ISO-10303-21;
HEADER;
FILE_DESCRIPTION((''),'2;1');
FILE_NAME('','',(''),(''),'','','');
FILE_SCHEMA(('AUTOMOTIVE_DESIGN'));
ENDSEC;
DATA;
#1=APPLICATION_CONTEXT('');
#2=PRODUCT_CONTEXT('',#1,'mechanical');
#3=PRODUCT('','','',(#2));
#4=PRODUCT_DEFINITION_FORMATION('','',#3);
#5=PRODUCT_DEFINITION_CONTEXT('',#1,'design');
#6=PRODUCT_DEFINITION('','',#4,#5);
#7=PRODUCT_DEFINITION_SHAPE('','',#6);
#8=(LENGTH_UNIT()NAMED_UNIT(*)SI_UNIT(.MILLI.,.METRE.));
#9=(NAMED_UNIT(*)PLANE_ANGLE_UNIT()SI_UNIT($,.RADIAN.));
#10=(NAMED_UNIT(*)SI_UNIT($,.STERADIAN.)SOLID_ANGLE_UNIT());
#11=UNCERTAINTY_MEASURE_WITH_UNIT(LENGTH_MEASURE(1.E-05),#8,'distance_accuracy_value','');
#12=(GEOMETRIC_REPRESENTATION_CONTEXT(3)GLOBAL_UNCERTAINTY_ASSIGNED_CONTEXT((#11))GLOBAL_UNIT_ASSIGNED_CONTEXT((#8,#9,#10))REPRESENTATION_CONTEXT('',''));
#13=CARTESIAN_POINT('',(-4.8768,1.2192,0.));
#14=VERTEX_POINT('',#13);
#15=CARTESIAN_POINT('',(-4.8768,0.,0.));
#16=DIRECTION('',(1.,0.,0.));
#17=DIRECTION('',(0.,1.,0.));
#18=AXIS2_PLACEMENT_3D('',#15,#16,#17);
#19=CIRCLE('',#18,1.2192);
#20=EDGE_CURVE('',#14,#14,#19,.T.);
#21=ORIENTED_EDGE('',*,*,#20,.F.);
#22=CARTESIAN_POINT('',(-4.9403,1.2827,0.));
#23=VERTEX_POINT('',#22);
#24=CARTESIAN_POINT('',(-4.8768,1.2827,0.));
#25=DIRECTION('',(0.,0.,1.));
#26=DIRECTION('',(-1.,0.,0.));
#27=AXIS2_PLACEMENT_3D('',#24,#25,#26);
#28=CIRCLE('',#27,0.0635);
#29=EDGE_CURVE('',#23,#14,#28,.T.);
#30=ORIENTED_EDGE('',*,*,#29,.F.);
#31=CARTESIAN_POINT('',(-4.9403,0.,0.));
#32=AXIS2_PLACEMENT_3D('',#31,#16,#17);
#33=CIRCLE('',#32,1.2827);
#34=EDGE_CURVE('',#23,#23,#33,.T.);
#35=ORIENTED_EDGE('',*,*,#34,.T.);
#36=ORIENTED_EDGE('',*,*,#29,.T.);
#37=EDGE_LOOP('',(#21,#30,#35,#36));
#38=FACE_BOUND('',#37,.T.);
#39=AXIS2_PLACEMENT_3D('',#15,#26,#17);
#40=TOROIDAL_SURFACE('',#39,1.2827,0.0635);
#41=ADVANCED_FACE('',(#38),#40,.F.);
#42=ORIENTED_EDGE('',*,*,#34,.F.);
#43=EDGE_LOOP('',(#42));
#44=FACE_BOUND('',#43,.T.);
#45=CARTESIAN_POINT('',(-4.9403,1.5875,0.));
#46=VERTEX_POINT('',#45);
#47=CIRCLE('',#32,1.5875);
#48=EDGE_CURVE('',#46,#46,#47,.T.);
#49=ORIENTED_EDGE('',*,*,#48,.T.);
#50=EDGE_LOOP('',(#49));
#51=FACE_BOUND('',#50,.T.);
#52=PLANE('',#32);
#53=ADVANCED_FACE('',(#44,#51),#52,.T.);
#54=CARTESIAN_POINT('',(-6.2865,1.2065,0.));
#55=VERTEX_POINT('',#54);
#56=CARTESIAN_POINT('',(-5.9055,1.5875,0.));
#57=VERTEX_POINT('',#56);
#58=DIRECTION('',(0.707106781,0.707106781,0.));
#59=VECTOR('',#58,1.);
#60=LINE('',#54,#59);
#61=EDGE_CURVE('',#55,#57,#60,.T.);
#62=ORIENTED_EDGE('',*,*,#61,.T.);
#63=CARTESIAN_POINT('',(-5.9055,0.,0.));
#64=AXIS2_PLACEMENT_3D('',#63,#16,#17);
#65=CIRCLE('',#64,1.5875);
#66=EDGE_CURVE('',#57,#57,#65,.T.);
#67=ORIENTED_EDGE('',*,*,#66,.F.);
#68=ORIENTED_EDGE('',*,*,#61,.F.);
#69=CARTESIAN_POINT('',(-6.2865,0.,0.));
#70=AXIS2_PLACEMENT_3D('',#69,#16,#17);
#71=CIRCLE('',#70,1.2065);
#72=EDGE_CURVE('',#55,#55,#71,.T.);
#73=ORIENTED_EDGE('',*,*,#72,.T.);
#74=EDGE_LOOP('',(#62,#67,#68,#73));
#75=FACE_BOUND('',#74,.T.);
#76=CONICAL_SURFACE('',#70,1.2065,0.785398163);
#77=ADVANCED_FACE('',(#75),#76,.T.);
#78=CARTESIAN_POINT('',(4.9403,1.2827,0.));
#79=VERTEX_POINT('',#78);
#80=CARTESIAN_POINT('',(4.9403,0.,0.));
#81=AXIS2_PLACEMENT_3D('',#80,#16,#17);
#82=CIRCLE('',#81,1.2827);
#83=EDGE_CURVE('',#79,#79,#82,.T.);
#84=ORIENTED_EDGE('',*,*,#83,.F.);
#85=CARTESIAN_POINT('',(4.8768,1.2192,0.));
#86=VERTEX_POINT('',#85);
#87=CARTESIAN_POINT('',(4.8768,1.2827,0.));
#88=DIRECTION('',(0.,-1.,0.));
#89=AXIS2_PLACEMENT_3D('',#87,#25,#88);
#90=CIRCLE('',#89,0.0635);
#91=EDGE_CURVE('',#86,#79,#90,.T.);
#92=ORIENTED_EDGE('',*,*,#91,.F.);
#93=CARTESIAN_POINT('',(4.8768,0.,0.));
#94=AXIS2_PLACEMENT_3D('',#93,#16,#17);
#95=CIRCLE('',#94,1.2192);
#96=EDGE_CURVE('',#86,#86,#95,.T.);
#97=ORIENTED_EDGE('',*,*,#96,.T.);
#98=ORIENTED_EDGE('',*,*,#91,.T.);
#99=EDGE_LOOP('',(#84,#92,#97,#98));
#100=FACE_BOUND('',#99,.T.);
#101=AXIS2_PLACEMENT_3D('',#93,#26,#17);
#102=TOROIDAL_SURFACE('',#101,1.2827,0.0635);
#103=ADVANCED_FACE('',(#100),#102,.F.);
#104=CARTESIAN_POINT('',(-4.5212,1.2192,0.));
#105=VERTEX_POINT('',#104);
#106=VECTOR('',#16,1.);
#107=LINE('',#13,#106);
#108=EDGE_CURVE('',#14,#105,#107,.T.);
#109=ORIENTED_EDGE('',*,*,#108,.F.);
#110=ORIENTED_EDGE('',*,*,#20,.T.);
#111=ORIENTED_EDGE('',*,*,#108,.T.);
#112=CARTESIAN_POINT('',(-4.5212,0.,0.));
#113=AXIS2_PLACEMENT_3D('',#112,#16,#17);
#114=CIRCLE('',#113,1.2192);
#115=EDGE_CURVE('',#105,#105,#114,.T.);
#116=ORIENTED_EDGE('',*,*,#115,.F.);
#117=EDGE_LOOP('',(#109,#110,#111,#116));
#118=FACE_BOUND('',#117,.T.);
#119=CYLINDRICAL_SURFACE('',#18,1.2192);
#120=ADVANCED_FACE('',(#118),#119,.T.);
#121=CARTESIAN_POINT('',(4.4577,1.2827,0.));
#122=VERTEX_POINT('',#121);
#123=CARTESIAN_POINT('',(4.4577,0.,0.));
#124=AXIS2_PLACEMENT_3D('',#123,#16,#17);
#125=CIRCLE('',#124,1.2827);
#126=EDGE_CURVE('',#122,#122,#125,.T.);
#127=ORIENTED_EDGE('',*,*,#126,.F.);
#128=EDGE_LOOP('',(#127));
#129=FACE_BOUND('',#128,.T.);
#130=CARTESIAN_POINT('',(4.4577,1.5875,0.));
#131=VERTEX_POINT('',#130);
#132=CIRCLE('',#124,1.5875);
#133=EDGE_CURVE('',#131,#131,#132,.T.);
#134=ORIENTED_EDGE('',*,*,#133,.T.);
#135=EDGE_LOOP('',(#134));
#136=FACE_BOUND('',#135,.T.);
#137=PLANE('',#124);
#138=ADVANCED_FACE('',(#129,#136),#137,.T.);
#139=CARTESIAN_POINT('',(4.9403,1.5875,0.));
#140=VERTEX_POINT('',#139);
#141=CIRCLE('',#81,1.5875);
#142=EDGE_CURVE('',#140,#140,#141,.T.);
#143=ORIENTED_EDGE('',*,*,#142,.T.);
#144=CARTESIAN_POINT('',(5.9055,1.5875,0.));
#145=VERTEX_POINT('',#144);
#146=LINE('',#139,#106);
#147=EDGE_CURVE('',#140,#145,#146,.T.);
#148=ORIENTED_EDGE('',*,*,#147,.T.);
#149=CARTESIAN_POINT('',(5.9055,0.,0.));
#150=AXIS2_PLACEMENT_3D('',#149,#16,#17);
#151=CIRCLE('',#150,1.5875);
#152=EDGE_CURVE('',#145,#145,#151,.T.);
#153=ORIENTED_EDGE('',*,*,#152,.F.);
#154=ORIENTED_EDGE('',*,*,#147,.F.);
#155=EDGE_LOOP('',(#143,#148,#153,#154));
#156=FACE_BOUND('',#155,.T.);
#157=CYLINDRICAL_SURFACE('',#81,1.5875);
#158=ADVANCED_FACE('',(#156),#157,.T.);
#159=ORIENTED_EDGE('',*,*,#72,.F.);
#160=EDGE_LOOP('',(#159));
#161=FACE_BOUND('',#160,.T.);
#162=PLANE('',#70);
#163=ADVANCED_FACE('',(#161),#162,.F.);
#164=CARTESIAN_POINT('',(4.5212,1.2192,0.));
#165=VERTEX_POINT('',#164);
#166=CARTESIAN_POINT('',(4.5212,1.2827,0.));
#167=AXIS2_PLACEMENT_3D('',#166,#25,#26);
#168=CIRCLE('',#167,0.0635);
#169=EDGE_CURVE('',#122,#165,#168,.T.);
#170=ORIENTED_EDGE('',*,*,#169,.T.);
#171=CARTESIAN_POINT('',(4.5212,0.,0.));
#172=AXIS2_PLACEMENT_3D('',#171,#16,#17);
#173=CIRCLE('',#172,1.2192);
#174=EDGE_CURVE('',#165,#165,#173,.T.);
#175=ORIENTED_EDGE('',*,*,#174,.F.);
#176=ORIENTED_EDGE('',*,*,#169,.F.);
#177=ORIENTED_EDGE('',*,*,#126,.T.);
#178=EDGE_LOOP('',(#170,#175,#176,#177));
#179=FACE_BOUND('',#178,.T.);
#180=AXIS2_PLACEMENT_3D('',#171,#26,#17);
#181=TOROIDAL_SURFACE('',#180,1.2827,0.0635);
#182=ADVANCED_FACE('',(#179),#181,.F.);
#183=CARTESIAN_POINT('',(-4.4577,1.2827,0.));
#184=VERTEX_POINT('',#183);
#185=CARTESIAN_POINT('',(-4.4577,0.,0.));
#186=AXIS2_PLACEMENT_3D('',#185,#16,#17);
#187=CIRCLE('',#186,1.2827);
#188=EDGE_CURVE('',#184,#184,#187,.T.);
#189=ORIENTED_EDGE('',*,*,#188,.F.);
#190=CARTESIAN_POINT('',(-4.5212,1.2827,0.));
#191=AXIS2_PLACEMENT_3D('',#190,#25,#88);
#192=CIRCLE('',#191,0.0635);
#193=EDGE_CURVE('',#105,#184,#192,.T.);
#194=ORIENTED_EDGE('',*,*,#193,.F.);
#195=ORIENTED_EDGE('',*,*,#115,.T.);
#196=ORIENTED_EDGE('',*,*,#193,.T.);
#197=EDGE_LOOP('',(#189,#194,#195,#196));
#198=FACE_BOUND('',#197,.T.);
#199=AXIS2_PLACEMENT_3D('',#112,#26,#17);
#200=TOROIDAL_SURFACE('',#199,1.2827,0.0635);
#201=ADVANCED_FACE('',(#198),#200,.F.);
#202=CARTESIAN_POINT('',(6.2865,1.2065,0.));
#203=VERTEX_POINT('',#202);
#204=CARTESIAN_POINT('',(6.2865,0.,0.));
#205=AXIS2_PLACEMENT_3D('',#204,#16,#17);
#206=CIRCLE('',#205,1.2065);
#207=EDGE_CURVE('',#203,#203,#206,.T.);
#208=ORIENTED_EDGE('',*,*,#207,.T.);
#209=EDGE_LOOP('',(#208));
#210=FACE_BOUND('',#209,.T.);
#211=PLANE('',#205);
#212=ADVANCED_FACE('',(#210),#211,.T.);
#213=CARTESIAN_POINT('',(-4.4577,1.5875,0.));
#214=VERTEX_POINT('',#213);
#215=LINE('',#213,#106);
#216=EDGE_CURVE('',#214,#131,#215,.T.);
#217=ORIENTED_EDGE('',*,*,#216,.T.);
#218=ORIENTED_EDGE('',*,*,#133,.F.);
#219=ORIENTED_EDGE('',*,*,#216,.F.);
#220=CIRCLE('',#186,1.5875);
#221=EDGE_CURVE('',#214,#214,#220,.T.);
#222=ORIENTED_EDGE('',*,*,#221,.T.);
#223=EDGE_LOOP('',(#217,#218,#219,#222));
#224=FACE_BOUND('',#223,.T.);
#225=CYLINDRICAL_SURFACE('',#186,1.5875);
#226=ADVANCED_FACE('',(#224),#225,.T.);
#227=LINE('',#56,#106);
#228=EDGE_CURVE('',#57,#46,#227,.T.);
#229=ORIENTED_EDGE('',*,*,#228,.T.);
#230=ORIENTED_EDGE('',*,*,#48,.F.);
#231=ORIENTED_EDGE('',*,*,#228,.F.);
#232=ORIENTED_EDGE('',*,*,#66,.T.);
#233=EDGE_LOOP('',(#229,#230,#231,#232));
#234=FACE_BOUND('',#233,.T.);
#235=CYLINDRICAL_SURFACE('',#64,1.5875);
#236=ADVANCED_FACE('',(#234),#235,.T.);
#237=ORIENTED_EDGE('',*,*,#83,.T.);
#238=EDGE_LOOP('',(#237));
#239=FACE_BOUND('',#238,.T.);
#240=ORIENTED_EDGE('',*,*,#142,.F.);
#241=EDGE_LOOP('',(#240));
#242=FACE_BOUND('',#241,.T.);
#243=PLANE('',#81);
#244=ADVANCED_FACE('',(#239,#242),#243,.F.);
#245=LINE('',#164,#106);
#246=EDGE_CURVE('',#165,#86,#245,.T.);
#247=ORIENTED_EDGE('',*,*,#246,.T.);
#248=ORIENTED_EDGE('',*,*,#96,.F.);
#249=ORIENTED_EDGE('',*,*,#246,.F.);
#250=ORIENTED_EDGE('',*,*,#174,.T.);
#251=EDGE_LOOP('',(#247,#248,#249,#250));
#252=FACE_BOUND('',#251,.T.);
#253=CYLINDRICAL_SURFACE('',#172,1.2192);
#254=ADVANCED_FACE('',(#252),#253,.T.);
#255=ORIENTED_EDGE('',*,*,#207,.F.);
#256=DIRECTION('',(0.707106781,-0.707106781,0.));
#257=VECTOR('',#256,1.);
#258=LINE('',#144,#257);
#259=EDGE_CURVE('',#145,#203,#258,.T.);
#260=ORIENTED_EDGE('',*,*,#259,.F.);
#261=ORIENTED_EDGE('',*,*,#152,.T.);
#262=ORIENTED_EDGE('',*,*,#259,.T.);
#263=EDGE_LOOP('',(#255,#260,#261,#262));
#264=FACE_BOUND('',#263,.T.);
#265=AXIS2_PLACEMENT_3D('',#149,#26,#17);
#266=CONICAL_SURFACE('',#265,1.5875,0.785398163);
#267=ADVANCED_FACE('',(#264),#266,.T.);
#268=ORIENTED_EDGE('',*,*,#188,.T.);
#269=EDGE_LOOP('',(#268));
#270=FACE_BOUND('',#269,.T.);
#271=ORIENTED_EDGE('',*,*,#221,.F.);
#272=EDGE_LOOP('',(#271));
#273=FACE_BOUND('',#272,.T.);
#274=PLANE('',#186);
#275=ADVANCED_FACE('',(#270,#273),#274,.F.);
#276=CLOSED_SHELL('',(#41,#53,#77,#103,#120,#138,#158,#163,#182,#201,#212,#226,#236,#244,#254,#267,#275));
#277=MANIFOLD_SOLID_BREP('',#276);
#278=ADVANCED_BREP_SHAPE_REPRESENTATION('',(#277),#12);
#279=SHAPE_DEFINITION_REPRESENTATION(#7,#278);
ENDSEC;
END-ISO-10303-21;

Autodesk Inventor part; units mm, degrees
sketch "Sketch_1" plane through (0, 0, 0) normal (0, 0, 1) x (1, 0, 0)
  line L0 (6.2865, 0) -> (-6.2865, 0)
  line L1 (-6.2865, 0) -> (-6.2865, 1.2065)
  line L2 (-6.2865, 1.2065) -> (-5.9055, 1.5875)
  line L3 (-5.9055, 1.5875) -> (-4.9403, 1.5875)
  line L4 (-4.9403, 1.5875) -> (-4.9403, 1.2827)
  arc A0 (-4.9403, 1.2827) -> (-4.8768, 1.2192) centre (-4.8768, 1.2827) ccw
  line L5 (-4.8768, 1.2192) -> (-4.5212, 1.2192)
  arc A1 (-4.5212, 1.2192) -> (-4.4577, 1.2827) centre (-4.5212, 1.2827) ccw
  line L6 (-4.4577, 1.2827) -> (-4.4577, 1.5875)
  line L7 (-4.4577, 1.5875) -> (4.4577, 1.5875)
  line L8 (4.4577, 1.5875) -> (4.4577, 1.2827)
  arc A2 (4.4577, 1.2827) -> (4.5212, 1.2192) centre (4.5212, 1.2827) ccw
  line L9 (4.5212, 1.2192) -> (4.8768, 1.2192)
  arc A3 (4.8768, 1.2192) -> (4.9403, 1.2827) centre (4.8768, 1.2827) ccw
  line L10 (4.9403, 1.2827) -> (4.9403, 1.5875)
  line L11 (4.9403, 1.5875) -> (5.9055, 1.5875)
  line L12 (5.9055, 1.5875) -> (6.2865, 1.2065)
  line L13 (6.2865, 1.2065) -> (6.2865, 0)
  line L14 (6.2865, 0) -> (-6.2865, 0)
revolve "Revolution1" add sketch "Sketch_1" angle 360 about axis through (6.2865, 0, 0) along (1, 0, 0)
ref_plane "pin_XY" through (0, 0, 0) normal (1, 0, 0) x (0, 0, -1)
ref_plane "pin_YZ" through (0, 0, 0) normal (0, 0, -1) x (0, 1, 0)
ref_plane "pin_ZX" through (0, 0, 0) normal (0, 1, 0) x (1, 0, 0)
ref_plane "rr1_XY" through (4.699, 0, 0) normal (1, 0, 0) x (0, 0, -1)
ref_plane "rr1_YZ" through (4.699, 0, 0) normal (0, 0, -1) x (0, 1, 0)
ref_plane "rr1_ZX" through (4.699, 0, 0) normal (0, 1, 0) x (1, 0, 0)
ref_plane "rr2_XY" through (-4.699, 0, 0) normal (1, 0, 0) x (0, 0, -1)
ref_plane "rr2_YZ" through (-4.699, 0, 0) normal (0, 0, -1) x (0, 1, 0)
ref_plane "rr2_ZX" through (-4.699, 0, 0) normal (0, 1, 0) x (1, 0, 0)
ref_plane "w21_XY" through (6.2865, 0, 0) normal (0, 1, 0) x (1, 0, 0)
ref_plane "w21_YZ" through (6.2865, 0, 0) normal (1, 0, 0) x (0, 0, -1)
ref_plane "w21_ZX" through (6.2865, 0, 0) normal (0, 0, -1) x (0, 1, 0)
ref_plane "w22_XY" through (-6.2865, 0, 0) normal (0, 1, 0) x (1, 0, 0)
ref_plane "w22_YZ" through (-6.2865, 0, 0) normal (1, 0, 0) x (0, 0, -1)
ref_plane "w22_ZX" through (-6.2865, 0, 0) normal (0, 0, -1) x (0, 1, 0)
ref_plane "p1_XY" through (0, 0, 1.5875) normal (1, 0, 0) x (0, 0, -1)
ref_plane "p1_YZ" through (0, 0, 1.5875) normal (0, 0, -1) x (0, 1, 0)
ref_plane "p1_ZX" through (0, 0, 1.5875) normal (0, 1, 0) x (1, 0, 0)
ref_plane "p2_XY" through (0, 0, -1.5875) normal (1, 0, 0) x (0, 0, -1)
ref_plane "p2_YZ" through (0, 0, -1.5875) normal (0, 0, -1) x (0, 1, 0)
ref_plane "p2_ZX" through (0, 0, -1.5875) normal (0, 1, 0) x (1, 0, 0)
properties part number "D-25368"
